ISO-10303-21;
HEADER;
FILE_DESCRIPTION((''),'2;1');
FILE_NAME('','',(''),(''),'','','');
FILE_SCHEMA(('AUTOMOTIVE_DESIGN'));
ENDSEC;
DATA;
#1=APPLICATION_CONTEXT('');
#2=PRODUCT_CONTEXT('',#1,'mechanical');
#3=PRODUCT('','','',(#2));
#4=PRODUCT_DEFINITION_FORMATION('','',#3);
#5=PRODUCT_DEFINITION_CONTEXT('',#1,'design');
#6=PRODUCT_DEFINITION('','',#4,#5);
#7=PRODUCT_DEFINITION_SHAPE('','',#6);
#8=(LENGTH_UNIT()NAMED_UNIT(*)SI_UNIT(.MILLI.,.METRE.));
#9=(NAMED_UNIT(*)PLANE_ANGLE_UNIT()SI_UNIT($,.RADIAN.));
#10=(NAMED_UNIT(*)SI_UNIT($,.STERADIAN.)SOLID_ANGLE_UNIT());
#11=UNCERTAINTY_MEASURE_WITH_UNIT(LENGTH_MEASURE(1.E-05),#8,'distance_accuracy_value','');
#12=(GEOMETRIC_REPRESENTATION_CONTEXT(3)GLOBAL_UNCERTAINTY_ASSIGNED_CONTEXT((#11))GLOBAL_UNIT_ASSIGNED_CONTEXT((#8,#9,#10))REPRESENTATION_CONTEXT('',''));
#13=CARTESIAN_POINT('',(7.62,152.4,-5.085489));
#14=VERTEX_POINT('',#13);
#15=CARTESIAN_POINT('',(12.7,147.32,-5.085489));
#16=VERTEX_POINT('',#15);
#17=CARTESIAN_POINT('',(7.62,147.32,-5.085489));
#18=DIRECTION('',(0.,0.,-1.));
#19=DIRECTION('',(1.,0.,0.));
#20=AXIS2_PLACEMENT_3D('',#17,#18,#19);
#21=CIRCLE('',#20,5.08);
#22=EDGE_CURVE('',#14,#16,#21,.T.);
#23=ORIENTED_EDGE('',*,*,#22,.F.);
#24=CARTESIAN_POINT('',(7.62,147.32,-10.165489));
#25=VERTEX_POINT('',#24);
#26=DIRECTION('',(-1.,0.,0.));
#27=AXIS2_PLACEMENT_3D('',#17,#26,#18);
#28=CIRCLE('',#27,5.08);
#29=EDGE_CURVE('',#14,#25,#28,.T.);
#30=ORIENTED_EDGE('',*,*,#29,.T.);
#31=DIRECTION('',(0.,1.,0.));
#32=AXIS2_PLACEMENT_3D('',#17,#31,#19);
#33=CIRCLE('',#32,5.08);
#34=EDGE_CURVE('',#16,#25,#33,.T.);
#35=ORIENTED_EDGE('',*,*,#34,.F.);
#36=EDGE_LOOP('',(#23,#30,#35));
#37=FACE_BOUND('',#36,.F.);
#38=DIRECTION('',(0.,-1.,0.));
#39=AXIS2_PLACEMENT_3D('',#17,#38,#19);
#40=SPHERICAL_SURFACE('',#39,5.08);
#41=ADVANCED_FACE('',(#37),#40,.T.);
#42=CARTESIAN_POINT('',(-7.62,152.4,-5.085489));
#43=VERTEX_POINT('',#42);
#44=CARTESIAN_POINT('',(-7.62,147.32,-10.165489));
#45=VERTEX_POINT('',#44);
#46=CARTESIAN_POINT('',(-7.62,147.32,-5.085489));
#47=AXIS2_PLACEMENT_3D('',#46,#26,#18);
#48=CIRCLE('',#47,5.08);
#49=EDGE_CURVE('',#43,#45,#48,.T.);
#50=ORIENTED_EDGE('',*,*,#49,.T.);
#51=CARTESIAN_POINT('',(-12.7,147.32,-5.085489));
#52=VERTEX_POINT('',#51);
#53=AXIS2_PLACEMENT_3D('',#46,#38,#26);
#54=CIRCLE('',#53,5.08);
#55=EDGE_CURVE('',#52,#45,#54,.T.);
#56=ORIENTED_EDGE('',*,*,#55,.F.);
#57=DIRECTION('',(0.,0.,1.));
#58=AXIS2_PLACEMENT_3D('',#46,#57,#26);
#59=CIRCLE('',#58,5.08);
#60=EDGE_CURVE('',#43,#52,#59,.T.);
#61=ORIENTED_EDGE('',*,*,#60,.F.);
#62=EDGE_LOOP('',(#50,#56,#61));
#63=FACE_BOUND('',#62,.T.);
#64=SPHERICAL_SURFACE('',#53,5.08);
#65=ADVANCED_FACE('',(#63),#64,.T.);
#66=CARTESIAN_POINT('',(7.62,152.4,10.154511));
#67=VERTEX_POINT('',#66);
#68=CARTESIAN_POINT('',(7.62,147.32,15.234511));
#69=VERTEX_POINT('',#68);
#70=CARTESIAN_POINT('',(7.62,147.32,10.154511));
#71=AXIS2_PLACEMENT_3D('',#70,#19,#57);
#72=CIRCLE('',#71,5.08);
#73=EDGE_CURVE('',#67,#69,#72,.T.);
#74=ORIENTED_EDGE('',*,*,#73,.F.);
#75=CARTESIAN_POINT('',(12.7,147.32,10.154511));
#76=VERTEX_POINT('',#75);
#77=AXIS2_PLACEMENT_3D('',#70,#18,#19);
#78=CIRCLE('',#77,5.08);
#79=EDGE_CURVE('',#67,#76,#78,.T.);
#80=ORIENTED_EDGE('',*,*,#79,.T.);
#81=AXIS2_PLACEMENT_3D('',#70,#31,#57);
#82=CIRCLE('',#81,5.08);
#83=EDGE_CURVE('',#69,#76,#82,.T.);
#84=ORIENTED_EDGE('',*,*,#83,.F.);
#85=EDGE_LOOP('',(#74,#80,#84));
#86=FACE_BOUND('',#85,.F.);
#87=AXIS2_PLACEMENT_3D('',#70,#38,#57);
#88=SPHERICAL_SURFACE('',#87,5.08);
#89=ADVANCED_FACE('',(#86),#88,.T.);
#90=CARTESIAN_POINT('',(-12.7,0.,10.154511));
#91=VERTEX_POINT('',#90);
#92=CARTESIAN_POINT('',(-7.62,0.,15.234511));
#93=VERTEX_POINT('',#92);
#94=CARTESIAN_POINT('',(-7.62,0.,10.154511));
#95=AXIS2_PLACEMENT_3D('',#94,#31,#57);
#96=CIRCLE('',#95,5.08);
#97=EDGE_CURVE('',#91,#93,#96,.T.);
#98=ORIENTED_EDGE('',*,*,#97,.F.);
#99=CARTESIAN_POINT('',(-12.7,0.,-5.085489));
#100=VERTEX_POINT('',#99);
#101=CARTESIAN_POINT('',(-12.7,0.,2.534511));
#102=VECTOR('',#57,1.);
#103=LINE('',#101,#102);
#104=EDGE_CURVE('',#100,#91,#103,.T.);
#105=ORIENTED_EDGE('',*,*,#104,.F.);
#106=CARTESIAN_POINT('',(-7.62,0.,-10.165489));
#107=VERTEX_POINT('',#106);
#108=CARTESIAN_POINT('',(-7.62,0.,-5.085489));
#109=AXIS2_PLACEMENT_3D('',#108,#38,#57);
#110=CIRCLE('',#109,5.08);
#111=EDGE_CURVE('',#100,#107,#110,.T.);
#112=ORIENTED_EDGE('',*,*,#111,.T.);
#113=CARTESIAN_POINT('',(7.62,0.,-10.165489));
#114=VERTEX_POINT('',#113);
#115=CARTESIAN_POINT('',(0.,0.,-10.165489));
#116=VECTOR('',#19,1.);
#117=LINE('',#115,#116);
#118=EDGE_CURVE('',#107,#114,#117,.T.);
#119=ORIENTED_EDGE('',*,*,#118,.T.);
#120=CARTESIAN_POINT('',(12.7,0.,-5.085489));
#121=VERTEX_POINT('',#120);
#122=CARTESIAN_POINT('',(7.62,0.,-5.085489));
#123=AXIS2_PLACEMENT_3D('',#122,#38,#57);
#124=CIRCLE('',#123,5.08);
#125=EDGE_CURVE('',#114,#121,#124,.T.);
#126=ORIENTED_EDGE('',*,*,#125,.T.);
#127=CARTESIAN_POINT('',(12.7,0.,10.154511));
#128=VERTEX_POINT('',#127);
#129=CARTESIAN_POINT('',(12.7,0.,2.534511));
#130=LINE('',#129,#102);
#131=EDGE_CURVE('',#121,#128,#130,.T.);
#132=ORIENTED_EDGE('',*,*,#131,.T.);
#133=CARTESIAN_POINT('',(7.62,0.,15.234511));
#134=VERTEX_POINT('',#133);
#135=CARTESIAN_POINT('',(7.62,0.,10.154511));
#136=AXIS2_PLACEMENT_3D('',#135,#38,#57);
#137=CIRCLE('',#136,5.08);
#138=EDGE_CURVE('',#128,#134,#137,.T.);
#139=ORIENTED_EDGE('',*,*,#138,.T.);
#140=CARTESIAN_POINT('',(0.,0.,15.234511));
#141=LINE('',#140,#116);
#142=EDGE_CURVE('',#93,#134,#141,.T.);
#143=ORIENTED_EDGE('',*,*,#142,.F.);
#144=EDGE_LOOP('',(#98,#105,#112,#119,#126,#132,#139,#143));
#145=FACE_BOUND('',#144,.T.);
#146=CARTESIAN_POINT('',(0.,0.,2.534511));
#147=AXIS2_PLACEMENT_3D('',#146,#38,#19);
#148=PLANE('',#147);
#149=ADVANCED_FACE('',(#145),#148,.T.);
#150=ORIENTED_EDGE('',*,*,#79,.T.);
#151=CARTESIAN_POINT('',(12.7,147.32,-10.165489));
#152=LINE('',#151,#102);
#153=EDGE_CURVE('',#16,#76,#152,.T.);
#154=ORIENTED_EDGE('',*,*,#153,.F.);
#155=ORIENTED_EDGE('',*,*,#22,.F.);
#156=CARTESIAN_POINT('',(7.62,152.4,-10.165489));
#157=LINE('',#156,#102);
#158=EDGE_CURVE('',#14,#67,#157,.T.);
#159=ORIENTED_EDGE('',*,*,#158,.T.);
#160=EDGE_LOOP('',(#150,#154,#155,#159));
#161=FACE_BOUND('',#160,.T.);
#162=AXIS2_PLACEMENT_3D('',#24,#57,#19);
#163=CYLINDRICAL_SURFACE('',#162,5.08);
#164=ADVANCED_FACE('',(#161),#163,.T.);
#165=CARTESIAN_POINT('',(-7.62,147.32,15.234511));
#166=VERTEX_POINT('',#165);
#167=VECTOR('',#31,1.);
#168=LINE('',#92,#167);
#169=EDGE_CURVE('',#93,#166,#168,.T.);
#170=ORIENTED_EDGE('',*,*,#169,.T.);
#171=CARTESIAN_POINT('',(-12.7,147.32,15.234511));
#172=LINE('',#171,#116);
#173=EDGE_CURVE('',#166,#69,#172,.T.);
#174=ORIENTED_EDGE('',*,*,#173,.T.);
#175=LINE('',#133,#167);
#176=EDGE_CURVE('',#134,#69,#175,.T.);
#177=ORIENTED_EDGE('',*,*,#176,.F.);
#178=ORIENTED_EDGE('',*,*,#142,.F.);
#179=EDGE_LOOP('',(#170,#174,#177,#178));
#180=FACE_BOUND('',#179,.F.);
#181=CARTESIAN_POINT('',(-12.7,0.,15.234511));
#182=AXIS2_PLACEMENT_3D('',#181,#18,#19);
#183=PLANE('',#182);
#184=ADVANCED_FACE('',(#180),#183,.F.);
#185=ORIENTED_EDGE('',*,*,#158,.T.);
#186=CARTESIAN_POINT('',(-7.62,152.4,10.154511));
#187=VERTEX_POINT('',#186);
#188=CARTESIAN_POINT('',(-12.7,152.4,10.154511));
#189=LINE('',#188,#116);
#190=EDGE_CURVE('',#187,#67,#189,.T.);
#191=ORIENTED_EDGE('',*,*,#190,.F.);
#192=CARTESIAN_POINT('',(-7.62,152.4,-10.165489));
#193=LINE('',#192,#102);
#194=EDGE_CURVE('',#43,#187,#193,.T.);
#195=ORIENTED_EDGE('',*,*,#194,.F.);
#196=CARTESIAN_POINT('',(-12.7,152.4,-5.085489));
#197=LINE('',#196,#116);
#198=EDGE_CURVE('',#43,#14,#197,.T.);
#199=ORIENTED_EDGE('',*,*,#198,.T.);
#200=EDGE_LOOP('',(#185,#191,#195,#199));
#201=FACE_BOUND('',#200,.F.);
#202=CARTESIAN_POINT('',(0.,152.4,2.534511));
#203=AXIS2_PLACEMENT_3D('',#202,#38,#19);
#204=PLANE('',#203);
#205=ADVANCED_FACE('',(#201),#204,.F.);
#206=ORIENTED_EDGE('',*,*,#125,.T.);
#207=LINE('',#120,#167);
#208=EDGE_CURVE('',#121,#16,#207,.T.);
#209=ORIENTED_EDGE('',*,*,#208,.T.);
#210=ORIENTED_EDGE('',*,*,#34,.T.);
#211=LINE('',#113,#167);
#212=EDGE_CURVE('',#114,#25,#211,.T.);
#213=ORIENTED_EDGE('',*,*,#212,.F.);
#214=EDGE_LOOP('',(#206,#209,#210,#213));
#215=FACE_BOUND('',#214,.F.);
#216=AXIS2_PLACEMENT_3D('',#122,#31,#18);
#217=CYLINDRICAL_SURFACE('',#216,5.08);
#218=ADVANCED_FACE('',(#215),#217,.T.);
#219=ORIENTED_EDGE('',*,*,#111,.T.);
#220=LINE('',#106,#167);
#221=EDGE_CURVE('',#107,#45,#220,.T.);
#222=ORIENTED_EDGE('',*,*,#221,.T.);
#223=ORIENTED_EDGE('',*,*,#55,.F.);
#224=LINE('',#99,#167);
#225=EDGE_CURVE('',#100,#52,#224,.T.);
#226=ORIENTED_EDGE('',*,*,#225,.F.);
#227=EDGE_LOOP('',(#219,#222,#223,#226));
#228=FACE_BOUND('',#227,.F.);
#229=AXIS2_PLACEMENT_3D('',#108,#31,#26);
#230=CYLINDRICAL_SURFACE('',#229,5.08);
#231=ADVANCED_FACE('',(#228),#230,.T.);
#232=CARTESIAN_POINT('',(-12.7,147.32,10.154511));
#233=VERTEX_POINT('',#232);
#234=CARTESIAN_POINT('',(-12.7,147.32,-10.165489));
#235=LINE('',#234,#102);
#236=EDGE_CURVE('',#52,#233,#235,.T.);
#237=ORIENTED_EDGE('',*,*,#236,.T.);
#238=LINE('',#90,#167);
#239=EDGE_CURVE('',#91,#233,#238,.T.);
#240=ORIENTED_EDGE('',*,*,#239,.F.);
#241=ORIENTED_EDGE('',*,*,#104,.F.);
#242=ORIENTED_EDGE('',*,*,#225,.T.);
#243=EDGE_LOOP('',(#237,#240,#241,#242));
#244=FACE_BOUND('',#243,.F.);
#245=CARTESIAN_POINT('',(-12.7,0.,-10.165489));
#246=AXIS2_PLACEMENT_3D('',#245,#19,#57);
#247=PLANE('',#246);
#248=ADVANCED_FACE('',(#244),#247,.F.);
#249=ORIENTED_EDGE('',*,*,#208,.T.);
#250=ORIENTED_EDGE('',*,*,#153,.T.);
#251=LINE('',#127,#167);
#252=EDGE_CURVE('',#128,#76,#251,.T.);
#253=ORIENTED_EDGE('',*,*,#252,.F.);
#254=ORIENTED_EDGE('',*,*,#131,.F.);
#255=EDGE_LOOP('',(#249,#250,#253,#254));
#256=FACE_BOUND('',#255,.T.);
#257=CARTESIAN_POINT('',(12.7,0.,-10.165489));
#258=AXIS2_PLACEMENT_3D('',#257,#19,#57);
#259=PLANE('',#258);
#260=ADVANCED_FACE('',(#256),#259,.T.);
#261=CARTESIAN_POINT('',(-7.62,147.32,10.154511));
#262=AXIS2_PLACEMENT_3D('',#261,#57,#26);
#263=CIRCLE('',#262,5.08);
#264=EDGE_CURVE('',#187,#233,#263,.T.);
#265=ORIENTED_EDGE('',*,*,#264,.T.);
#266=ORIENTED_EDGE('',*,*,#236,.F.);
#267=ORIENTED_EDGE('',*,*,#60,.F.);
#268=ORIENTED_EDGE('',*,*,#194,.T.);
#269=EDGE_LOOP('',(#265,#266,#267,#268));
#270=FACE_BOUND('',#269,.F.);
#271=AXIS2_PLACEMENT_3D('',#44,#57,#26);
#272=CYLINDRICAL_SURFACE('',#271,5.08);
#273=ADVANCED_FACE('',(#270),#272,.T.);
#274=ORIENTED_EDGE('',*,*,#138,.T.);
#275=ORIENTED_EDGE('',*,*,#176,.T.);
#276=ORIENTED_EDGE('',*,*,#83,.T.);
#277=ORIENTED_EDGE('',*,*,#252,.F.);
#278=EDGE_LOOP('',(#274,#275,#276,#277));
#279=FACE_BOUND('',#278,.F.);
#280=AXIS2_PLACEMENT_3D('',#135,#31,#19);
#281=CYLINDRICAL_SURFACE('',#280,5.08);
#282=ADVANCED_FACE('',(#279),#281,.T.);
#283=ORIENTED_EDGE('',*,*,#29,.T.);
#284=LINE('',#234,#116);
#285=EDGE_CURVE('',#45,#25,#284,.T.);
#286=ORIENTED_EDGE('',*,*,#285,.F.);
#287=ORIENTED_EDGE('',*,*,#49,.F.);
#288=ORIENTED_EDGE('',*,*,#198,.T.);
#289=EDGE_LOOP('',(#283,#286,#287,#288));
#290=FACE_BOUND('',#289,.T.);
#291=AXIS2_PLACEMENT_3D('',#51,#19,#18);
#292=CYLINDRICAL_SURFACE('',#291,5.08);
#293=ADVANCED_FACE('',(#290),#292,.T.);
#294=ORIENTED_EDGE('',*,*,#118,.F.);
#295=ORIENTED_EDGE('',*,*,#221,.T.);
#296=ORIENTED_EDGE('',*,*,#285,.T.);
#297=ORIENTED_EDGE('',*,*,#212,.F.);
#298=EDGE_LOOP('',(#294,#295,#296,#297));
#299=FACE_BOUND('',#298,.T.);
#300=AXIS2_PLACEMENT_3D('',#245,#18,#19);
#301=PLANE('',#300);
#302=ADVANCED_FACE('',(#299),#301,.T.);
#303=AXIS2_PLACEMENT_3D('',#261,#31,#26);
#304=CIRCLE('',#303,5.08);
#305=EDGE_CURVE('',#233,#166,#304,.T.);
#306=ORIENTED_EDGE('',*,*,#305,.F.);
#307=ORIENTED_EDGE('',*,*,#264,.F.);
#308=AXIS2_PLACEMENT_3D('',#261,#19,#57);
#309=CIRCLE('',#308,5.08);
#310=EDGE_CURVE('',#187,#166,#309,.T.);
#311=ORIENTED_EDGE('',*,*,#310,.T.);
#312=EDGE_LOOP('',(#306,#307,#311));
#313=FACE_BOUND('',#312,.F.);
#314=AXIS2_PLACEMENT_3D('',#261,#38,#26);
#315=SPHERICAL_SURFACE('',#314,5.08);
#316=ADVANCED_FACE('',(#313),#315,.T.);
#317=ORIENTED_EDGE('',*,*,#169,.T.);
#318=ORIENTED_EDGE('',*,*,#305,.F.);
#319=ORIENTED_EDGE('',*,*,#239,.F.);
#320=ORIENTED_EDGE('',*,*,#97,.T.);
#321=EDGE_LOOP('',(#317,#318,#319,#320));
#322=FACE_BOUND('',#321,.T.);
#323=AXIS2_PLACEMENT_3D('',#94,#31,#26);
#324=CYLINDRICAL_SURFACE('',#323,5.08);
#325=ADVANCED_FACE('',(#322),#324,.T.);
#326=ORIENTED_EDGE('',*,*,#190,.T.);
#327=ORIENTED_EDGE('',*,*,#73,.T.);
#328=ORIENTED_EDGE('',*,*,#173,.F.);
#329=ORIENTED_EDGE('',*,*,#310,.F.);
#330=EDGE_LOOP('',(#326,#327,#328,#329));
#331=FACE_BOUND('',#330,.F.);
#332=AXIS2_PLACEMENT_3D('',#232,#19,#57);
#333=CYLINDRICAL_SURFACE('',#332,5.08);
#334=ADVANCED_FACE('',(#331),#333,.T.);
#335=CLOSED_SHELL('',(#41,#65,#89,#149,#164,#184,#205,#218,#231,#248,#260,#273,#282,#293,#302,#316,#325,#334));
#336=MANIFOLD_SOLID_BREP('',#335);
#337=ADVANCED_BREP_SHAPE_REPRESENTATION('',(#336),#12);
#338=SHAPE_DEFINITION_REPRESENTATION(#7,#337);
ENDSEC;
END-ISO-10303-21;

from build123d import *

# Parameters (mm, degrees)
F0_W     = 25.4
F0_H     = 25.4
F1_DEPTH = 152.4
F2_R     = 5.08


with BuildPart() as f1:
    # F0 (on Front) → F1 (new body)
    with BuildSketch(Plane.XZ):
        with Locations((0, 2.534511)):
            Rectangle(F0_W, F0_H)
    extrude(amount=-F1_DEPTH)

    # F2
    f2_edges = [f1.edges().sort_by_distance(p)[0] for p in [
        (-12.7, 76.2, -10.165489),
        (-12.7, 76.2, 15.234511),
        (12.7, 76.2, -10.165489),
        (12.7, 76.2, 15.234511),
        (-12.7, 152.4, 2.534511),
        (0, 152.4, 15.234511),
        (12.7, 152.4, 2.534511),
        (0, 152.4, -10.165489),
    ]]
    fillet(f2_edges, radius=F2_R)


solid = f1.part
